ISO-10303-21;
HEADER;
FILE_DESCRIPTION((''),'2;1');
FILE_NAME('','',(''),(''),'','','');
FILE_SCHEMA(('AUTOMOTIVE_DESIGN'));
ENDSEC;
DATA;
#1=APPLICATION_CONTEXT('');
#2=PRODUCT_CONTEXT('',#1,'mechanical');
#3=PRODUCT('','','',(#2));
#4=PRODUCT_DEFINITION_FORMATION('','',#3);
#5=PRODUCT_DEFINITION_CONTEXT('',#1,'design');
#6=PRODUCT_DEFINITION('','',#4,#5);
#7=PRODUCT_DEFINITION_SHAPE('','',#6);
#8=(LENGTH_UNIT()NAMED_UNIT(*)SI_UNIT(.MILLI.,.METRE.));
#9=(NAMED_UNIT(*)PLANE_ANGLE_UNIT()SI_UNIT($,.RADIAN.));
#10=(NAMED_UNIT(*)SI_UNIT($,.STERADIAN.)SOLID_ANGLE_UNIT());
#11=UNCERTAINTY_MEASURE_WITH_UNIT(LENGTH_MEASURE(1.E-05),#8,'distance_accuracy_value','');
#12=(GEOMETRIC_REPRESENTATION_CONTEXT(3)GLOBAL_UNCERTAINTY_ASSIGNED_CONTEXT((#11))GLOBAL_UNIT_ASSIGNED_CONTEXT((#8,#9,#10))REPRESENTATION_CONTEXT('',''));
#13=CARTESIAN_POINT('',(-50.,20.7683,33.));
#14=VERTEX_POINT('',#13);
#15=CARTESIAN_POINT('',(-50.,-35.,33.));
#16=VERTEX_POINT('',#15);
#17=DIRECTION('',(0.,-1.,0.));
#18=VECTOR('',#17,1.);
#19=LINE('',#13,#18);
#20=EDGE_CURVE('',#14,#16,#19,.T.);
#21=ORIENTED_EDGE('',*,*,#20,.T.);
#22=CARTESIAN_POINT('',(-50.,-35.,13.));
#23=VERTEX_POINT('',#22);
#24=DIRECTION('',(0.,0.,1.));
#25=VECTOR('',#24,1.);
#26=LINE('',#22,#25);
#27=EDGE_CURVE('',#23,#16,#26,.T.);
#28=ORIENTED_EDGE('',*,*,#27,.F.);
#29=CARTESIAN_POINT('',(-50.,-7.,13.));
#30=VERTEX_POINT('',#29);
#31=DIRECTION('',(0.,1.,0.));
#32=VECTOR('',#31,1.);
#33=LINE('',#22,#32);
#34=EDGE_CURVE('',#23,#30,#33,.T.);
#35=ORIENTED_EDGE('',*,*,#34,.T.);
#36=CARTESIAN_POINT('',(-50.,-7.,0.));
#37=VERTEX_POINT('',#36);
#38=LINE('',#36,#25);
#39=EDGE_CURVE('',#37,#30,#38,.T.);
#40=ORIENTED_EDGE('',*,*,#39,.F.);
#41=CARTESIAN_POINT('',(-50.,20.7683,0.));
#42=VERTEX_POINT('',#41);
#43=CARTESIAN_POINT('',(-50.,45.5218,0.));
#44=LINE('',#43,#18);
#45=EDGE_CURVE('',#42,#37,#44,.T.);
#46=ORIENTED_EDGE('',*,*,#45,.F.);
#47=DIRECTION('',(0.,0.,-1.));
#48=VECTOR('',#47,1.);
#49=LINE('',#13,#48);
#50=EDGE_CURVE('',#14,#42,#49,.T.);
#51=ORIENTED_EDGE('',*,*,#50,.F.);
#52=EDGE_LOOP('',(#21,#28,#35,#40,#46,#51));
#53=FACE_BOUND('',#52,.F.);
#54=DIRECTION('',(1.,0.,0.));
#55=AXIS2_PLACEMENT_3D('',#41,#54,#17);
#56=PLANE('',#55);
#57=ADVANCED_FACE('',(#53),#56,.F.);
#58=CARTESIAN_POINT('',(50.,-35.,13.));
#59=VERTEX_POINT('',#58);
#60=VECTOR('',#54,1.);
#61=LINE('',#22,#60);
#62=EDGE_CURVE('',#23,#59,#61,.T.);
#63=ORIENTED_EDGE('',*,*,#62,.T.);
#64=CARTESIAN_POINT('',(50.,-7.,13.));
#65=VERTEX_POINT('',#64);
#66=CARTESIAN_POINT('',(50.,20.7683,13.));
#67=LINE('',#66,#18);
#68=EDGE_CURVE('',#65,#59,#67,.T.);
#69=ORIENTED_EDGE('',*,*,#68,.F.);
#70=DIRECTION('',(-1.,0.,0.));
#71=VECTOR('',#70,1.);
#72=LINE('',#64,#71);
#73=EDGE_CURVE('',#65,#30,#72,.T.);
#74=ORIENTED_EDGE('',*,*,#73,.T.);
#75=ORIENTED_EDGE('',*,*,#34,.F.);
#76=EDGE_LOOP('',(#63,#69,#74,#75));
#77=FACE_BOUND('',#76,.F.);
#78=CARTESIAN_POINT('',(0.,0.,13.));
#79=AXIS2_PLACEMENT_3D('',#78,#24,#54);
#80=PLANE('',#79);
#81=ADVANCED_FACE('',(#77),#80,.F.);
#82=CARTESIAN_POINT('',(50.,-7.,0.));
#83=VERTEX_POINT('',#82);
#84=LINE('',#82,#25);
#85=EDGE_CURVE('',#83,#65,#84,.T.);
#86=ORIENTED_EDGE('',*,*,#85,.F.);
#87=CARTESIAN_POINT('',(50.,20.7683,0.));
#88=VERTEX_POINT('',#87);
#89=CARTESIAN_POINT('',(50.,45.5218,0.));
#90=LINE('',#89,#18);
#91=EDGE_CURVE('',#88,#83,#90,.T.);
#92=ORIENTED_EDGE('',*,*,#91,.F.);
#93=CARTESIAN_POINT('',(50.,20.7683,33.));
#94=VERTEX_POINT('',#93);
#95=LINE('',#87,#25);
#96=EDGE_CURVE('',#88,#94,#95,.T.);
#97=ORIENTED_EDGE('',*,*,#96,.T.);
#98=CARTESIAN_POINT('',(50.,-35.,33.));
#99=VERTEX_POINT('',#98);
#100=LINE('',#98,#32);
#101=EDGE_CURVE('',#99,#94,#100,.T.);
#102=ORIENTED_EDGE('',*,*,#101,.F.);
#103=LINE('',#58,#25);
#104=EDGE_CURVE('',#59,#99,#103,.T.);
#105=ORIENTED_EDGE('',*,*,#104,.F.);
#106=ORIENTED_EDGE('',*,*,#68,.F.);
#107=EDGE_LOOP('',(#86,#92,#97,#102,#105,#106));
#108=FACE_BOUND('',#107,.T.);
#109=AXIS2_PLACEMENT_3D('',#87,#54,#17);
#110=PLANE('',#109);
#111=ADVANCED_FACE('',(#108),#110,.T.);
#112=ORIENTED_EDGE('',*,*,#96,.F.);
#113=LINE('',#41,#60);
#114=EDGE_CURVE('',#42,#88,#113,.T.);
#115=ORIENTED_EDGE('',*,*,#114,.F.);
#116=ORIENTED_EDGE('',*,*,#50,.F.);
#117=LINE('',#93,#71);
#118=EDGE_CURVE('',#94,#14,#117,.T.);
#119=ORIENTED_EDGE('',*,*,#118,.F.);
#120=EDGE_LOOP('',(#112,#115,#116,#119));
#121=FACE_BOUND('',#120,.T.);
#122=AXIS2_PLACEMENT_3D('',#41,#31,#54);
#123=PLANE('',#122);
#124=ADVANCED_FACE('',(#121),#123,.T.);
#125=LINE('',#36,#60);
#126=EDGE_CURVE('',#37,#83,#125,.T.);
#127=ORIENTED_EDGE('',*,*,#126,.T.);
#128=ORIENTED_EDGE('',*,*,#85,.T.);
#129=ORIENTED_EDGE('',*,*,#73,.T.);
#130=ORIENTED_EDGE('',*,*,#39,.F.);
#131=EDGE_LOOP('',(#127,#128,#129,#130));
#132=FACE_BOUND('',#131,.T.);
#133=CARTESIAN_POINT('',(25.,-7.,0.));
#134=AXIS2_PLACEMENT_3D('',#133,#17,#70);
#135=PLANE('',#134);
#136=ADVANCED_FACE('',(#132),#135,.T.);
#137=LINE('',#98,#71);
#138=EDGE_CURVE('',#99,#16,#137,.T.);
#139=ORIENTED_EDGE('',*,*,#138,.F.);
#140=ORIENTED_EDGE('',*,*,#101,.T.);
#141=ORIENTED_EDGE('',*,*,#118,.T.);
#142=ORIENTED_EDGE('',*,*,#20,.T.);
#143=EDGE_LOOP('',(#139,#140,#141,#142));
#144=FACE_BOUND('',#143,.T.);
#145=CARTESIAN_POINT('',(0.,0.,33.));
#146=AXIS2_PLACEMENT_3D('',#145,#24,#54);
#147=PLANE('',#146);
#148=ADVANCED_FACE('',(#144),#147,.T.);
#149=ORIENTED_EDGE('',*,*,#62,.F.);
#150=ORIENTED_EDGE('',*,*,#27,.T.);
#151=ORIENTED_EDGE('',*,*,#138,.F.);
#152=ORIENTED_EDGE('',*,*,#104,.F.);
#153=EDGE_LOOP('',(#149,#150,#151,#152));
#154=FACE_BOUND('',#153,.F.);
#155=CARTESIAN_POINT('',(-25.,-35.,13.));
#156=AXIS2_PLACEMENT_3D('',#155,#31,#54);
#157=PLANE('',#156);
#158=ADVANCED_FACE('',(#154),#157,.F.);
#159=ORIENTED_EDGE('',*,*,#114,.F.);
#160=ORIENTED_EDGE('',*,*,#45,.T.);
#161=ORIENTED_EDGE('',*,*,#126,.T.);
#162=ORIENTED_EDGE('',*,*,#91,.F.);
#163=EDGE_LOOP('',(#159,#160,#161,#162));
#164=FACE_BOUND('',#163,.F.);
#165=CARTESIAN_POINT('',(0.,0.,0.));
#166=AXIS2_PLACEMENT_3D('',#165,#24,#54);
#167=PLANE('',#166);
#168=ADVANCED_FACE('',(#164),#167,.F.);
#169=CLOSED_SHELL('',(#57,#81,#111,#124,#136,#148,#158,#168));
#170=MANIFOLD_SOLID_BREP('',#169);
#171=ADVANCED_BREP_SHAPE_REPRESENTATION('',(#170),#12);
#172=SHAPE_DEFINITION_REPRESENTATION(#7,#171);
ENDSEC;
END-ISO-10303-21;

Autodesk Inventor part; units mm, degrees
ref_plane "YZ Plane" through (0, 0, 0) normal (1, 0, 0) x (0, 1, 0)
ref_plane "XZ Plane" through (0, 0, 0) normal (0, 1, 0) x (-1, 0, 0)
ref_plane "XY Plane" through (0, 0, 0) normal (0, 0, 1) x (1, 0, 0)
sketch "Sketch1" plane through (0, 0, 0) normal (0, 0, 1) x (1, 0, 0)
  line L0 (25, -7) -> (50, -7) projected
  line L1 (50, 45.5218) -> (50, -7) projected
  line L2 (50, 45.5218) -> (11.4158, 45.5218) projected
  line L3 (11.4158, 45.5218) -> (11.4158, 48.5218) projected
  line L4 (11.4158, 48.5218) -> (-11.4158, 48.5218) projected
  line L5 (-11.4158, 48.5218) -> (-11.4158, 45.5218) projected
  line L6 (-11.4158, 45.5218) -> (-50, 45.5218) projected
  line L7 (-50, 45.5218) -> (-50, -7) projected
  line L8 (-50, -7) -> (-25, -7) projected
  line L9 (-25, -7) -> (-25, -24) projected
  line L10 (-25, -24) -> (-32.4371, -24) projected
  line L11 (-32.4371, -24) -> (-32.4371, -28) projected
  line L12 (-32.4371, -28) -> (-25, -28) projected
  line L13 (-25, -28) -> (-25, -35) projected
  line L14 (-25, -35) -> (25, -35) projected
  line L15 (25, -35) -> (25, -28) projected
  line L16 (25, -28) -> (30.7079, -28) projected
  line L17 (30.7079, -28) -> (30.7079, -24) projected
  line L18 (30.7079, -24) -> (25, -24) projected
  line L19 (25, -24) -> (25, -7) projected
  circle A0 centre (-11.4158, 26.1989) radius 1.6 projected
  circle A1 centre (20.9961, 37.6953) radius 1.6 projected
  circle A2 centre (-20.9961, 37.6953) radius 1.6 projected
  circle A3 centre (11.4158, 26.1989) radius 1.6 projected
  line L20 (15.6, -21.3595) -> (2, -21.3595) projected
  line L21 (-2, -21.3109) -> (-15.6, -21.3109) projected
  line L22 (-2.4, -19.4751) -> (-15.6, -19.4751)
  line L23 (2.4, -19.5236) -> (15.6, -19.5236)
  line L24 (50, -7) -> (-50, -7)
  line L25 (-50, -7) -> (-50, 20.7683)
  line L26 (-50, 20.7683) -> (50, 20.7683)
  line L27 (50, 20.7683) -> (50, -7)
  point P0 (0, 0)
extrude "Extrusion1" add sketch "Sketch1" along normal blind 13 contours L24 L8 L7 L26 L1 L0
sketch "Sketch2" plane through (0, 0, 13) normal (0, 0, 1) x (1, 0, 0)
  line L0 (25, -7) -> (50, -7) projected
  line L1 (50, 45.5218) -> (50, -7) projected
  line L2 (50, 45.5218) -> (11.4158, 45.5218) projected
  line L3 (11.4158, 45.5218) -> (11.4158, 48.5218) projected
  line L4 (11.4158, 48.5218) -> (-11.4158, 48.5218) projected
  line L5 (-11.4158, 48.5218) -> (-11.4158, 45.5218) projected
  line L6 (-11.4158, 45.5218) -> (-50, 45.5218) projected
  line L7 (-50, 45.5218) -> (-50, -7) projected
  line L8 (-50, -7) -> (-25, -7) projected
  line L9 (-25, -7) -> (-25, -24) projected
  line L10 (-25, -24) -> (-32.4371, -24) projected
  line L11 (-32.4371, -24) -> (-32.4371, -28) projected
  line L12 (-32.4371, -28) -> (-25, -28) projected
  line L13 (-25, -28) -> (-25, -35) projected
  line L14 (-25, -35) -> (25, -35) projected
  line L15 (25, -35) -> (25, -28) projected
  line L16 (25, -28) -> (30.7079, -28) projected
  line L17 (30.7079, -28) -> (30.7079, -24) projected
  line L18 (30.7079, -24) -> (25, -24) projected
  line L19 (25, -24) -> (25, -7) projected
  circle A0 centre (-11.4158, 26.1989) radius 1.6 projected
  circle A1 centre (20.9961, 37.6953) radius 1.6 projected
  circle A2 centre (-20.9961, 37.6953) radius 1.6 projected
  circle A3 centre (11.4158, 26.1989) radius 1.6 projected
  line L20 (50, 20.7683) -> (-50, 20.7683) projected
  line L21 (-50, 20.7683) -> (50, 20.7683)
  line L22 (50, 20.7683) -> (50, -35)
  line L23 (50, -35) -> (-50, -35)
  line L24 (-50, -35) -> (-50, 20.7683)
  point P0 (0, 0)
extrude "Extrusion2" add sketch "Sketch2" along normal blind 20 contours L19 L18 L17 L16 L15 L14 L13 L12 L11 L10 L9 L8 L7 L20 L1 L0 | L0 L22 L23 L15 L16 L17 L18 L19 | L8 L9 L10 L11 L12 L13 L23 L24
